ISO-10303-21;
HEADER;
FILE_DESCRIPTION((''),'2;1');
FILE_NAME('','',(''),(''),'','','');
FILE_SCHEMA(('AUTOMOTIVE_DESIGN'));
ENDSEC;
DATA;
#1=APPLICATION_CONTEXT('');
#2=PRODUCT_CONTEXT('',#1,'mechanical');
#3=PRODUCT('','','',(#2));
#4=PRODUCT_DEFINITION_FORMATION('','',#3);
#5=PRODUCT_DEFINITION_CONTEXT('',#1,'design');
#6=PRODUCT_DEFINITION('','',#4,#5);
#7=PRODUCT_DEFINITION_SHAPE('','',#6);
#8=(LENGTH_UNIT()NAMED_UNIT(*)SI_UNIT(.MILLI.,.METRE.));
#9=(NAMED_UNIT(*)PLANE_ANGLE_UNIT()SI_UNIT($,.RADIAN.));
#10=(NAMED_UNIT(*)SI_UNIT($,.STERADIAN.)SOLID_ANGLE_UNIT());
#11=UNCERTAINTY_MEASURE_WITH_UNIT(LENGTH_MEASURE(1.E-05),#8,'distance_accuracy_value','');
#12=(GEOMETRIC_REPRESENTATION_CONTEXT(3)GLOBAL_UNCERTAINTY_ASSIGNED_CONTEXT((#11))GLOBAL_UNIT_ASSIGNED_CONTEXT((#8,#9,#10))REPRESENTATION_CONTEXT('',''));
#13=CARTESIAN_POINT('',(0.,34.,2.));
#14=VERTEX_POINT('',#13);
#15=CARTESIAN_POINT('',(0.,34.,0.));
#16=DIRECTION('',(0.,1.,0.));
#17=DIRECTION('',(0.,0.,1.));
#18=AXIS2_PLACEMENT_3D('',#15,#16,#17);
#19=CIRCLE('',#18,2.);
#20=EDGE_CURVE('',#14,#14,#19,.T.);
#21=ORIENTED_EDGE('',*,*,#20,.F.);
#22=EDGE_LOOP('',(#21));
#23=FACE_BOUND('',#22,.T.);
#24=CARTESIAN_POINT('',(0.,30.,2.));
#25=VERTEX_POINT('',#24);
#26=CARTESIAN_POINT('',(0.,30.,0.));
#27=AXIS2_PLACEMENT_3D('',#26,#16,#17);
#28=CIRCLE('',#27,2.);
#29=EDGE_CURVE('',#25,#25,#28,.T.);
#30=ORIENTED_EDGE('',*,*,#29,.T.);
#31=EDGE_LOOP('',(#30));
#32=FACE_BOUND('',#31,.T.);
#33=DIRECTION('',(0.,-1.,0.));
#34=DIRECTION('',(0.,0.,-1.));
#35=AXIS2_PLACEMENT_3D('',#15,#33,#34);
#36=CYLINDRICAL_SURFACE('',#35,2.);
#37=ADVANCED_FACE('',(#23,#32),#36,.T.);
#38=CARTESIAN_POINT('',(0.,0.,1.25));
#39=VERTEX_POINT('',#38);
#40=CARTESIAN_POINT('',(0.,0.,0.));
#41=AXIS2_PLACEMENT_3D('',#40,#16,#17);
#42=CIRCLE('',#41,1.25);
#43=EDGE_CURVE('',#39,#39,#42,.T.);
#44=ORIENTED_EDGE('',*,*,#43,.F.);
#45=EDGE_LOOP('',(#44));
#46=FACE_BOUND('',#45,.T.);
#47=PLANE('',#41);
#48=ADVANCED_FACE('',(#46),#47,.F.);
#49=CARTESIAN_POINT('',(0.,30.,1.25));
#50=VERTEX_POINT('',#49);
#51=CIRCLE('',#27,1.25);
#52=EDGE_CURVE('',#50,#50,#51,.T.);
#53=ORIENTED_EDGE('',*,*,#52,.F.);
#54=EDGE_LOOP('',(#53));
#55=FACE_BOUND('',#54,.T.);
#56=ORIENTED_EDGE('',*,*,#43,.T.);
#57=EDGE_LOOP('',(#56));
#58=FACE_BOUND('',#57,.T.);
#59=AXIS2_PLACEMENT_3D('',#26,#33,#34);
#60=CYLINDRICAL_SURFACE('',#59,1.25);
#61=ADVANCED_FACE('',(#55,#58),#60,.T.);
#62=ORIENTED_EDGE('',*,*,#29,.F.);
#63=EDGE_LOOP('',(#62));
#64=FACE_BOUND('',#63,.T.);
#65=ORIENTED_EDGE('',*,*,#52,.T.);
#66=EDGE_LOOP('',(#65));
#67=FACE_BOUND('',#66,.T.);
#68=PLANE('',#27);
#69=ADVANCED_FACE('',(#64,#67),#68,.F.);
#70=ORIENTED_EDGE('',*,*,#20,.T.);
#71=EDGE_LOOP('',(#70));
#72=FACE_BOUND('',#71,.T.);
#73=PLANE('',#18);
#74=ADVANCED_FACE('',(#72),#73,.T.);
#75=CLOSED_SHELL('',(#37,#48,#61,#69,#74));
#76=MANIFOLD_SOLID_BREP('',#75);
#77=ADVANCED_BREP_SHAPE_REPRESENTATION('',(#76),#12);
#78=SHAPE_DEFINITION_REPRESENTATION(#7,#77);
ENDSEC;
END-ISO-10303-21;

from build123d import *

# Parameters (mm, degrees)
SKETCH1_R           = 1.25
BOSS_EXTRUDE1_DEPTH = 30
SKETCH2_R           = 2
BOSS_EXTRUDE2_DEPTH = 4


with BuildPart() as part:
    # Sketch1 → Boss-Extrude1 (new body)
    with BuildSketch(Plane(origin=(0, 0, 0), x_dir=(1, 0, 0), z_dir=(0, 1, 0))):
        Circle(SKETCH1_R)
    extrude(amount=BOSS_EXTRUDE1_DEPTH)

    # Sketch2 → Boss-Extrude2 (add)
    with BuildSketch(Plane(origin=(0, 30, 0), x_dir=(1, 0, 0), z_dir=(0, 1, 0))):
        Circle(SKETCH2_R)
    extrude(amount=BOSS_EXTRUDE2_DEPTH)


solid = part.part
